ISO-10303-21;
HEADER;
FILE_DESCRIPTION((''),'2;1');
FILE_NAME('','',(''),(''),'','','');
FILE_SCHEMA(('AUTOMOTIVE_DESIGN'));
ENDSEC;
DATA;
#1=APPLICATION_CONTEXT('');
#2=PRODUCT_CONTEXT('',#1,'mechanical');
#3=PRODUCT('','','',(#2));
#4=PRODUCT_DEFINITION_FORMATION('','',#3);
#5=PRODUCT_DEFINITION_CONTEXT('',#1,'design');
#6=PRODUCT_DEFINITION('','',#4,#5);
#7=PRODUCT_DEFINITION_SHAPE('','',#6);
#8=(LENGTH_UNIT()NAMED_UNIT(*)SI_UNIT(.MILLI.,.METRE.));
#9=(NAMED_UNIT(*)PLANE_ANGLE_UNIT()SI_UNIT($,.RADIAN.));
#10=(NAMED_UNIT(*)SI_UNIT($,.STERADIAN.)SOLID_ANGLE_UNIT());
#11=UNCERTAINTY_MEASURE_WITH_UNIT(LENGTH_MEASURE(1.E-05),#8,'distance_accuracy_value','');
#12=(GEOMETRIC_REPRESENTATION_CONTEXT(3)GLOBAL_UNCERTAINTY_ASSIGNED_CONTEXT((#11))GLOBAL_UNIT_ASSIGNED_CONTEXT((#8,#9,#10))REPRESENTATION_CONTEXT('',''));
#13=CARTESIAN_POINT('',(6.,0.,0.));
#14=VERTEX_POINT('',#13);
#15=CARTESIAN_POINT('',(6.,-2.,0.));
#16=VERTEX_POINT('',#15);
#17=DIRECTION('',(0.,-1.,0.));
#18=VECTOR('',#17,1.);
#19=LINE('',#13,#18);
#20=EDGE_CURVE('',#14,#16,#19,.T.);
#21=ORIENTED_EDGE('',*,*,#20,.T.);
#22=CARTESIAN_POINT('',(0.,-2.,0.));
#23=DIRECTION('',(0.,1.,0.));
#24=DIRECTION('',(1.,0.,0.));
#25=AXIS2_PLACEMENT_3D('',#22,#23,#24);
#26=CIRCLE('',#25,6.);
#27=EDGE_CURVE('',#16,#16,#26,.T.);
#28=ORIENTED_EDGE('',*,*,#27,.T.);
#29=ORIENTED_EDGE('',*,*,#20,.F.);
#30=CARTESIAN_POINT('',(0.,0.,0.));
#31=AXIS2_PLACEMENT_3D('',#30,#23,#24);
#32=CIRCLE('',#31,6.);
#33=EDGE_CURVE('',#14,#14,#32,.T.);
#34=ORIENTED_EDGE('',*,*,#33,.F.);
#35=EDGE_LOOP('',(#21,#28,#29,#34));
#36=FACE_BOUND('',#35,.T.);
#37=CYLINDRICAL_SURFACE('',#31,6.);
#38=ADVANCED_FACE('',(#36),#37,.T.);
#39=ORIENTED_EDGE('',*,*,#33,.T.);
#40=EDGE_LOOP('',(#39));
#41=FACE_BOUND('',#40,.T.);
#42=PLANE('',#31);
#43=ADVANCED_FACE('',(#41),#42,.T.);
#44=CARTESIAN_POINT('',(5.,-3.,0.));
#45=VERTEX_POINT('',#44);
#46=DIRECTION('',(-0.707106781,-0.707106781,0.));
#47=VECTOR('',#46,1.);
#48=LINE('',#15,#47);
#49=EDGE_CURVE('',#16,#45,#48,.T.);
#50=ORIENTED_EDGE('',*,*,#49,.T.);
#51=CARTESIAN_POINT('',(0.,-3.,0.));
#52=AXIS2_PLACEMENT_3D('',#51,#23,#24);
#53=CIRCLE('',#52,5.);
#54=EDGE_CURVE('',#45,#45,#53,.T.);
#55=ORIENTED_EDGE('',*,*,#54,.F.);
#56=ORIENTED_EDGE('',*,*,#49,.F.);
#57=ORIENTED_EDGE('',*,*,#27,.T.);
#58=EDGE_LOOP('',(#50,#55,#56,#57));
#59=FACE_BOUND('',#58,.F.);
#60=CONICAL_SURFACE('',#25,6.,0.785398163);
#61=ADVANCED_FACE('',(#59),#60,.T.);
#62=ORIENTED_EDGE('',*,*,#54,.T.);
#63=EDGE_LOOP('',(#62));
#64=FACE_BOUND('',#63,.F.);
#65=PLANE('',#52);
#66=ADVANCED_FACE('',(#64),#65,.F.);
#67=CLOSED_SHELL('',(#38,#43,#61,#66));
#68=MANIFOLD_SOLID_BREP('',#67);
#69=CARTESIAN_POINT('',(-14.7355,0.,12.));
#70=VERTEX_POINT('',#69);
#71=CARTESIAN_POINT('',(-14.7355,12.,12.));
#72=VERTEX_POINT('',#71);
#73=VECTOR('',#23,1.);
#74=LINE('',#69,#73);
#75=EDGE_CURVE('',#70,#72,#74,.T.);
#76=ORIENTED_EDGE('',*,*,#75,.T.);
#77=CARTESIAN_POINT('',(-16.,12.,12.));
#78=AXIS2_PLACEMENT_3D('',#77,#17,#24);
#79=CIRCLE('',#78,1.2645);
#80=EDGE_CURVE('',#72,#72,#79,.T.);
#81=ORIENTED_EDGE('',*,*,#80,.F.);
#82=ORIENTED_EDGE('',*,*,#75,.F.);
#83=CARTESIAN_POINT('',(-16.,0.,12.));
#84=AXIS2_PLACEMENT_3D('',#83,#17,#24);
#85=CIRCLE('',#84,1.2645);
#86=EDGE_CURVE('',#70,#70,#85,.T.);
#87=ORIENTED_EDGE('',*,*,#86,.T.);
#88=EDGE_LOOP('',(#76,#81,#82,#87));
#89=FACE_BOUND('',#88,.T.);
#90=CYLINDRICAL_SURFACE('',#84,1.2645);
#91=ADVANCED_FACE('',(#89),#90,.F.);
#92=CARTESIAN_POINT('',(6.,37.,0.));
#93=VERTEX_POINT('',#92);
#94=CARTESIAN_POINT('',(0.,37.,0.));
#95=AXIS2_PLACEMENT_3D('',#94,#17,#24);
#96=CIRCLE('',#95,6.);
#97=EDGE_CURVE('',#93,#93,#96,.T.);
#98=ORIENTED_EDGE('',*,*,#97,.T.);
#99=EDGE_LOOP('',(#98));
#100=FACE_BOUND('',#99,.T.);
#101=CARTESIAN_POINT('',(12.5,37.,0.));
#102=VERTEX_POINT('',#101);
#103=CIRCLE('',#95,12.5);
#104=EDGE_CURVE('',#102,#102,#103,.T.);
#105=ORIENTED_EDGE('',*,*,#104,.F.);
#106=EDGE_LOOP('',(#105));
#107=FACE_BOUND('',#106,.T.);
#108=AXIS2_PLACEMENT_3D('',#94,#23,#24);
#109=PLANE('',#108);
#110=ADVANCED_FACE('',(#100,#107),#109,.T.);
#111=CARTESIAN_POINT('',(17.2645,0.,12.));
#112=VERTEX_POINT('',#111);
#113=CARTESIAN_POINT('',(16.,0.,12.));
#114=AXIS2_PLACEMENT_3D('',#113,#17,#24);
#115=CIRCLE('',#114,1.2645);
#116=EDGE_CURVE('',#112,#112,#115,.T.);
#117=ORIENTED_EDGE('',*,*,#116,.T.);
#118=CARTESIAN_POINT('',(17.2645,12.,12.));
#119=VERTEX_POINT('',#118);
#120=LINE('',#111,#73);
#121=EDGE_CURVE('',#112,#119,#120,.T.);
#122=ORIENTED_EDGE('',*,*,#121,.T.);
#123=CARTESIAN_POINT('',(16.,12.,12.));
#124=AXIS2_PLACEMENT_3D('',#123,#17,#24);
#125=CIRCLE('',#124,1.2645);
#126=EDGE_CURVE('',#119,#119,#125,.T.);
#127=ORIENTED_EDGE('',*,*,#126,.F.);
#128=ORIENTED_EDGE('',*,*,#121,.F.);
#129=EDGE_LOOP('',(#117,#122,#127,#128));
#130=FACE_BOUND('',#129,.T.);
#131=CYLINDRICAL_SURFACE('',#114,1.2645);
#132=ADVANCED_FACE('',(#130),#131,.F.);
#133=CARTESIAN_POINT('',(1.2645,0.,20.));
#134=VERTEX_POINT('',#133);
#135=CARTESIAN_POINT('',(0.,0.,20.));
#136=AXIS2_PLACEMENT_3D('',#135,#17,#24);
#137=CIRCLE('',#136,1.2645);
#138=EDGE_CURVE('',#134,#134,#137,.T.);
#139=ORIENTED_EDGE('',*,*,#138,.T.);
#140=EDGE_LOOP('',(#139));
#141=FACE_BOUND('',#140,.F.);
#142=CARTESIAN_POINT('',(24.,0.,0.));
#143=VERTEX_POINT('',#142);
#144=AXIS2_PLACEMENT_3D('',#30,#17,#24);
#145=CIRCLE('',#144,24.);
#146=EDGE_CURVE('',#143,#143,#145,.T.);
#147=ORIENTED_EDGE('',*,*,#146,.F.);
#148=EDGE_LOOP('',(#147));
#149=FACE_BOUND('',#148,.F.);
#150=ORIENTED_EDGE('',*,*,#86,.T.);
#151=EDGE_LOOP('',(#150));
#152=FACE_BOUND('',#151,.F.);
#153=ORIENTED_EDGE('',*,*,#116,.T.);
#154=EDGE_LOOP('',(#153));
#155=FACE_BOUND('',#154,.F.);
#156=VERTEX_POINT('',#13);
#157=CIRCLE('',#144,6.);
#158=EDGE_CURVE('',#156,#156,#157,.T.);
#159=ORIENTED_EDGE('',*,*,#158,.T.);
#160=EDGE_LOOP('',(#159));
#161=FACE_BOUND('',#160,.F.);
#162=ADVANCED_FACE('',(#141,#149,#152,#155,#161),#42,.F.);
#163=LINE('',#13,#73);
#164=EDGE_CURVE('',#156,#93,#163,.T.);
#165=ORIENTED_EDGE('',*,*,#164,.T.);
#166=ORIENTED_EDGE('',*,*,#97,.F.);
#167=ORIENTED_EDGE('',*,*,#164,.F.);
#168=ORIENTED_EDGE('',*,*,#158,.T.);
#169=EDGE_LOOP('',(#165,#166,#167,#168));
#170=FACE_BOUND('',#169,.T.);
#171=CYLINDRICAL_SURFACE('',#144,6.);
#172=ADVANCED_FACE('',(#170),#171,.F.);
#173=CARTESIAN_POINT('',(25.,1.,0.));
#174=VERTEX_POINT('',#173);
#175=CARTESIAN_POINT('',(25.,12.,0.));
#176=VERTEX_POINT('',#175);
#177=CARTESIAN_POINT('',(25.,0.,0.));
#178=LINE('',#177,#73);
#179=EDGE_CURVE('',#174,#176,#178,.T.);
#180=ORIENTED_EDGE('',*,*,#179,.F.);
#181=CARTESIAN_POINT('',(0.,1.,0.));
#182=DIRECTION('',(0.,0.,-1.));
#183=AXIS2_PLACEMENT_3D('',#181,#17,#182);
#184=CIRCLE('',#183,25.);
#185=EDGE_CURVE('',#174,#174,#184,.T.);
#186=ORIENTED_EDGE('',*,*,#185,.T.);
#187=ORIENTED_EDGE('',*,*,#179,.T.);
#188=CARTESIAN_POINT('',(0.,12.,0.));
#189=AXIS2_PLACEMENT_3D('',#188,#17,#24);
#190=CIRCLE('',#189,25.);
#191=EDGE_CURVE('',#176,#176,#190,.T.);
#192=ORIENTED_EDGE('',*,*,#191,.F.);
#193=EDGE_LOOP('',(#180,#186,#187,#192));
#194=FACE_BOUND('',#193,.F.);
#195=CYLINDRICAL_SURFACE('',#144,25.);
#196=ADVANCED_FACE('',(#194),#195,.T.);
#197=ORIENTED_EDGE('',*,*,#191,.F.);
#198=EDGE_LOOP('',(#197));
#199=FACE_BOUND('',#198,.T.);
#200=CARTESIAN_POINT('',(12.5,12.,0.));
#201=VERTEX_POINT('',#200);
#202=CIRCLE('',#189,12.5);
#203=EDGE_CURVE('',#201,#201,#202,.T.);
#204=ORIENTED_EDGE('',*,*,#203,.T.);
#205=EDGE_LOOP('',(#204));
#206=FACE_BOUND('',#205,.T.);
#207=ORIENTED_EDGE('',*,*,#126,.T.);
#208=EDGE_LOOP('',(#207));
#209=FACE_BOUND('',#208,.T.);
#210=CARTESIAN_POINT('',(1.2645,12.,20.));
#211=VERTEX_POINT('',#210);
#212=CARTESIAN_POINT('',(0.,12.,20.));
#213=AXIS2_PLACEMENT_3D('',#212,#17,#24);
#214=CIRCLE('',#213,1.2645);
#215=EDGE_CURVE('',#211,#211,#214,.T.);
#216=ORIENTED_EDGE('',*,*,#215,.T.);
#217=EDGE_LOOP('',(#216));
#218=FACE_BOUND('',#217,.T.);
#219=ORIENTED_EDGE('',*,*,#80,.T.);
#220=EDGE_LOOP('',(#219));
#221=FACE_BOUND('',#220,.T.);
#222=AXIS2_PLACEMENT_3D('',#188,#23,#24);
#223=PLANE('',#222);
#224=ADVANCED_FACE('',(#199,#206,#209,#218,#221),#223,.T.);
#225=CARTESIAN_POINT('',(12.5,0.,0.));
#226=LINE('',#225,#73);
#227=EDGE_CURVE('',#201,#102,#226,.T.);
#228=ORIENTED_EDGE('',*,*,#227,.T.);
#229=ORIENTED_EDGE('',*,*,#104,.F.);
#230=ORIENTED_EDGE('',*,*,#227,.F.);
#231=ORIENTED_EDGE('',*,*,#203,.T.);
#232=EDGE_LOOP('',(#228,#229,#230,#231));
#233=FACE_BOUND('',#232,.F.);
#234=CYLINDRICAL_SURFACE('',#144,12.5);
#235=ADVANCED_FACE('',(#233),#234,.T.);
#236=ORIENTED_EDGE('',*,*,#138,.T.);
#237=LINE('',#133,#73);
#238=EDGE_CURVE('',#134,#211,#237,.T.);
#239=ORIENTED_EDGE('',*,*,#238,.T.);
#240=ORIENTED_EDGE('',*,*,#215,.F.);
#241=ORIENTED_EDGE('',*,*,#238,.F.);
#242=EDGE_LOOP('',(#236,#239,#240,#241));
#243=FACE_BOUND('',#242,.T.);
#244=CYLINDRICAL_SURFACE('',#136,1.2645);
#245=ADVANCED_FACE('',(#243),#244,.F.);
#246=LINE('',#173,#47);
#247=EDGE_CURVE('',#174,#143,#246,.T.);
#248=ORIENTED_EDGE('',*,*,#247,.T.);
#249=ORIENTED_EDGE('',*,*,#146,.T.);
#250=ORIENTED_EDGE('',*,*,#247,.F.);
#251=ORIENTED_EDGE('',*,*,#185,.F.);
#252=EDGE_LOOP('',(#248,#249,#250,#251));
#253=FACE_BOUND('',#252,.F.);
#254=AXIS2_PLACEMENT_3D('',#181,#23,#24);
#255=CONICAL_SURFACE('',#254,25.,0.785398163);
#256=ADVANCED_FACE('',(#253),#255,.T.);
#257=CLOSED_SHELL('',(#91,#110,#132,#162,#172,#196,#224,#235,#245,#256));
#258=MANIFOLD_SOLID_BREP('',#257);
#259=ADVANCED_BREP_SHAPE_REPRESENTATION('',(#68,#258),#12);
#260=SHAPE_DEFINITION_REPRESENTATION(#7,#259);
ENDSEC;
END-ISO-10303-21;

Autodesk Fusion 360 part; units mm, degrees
sketch "Sketch1" plane through (0, 0, 0) normal (0, 1, 0) x (1, 0, 0)
  circle A0 centre (0, 0) radius 6
  circle A1 centre (0, 0) radius 25
  circle A2 centre (0, 0) radius 12.5
  circle A3 centre (0, 0) radius 20 construction
  circle A4 centre (16, -12) radius 1.5
  line L0 (0, -25) -> (0, 0) construction
  circle A5 centre (-16, -12) radius 1.5
  circle A6 centre (0, -20) radius 1.5
  dimension "d10" = 12
  dimension "d11" = 50
  dimension "d12" = 25
  dimension "d13" = 40
  dimension "d14" = 3
  dimension "d16" = 12
  dimension "d17" = 3
extrude "Extrude1" add sketch "Sketch1" against normal blind 3 contours A0 makes body 1
extrude "Extrude2" add sketch "Sketch1" along normal blind 37 separate body contours A2 makes body 2
extrude "Extrude3" add sketch "Sketch1" along normal blind 12 contours A1 bodies 2
chamfer "Chamfer1" distance 1 angle 45 2 edges at (-5.594, -3, -2.1697) (-23.3082, 0, 9.0404) on bodies 1 2
thread "Thread1" "ISO Metric profile 3.0 M3x0.5 6H" major diameter 3.086 minor diameter 2.529 pitch 0.5 angle 60 resizes the face on face at (-14.5019, 8, 12.0748) on bodies 2
thread "Thread2" "ISO Metric profile 3.0 M3x0.5 6H" major diameter 3.086 minor diameter 2.529 pitch 0.5 angle 60 resizes the face on face at (1.4981, 4, 19.9252) on face at (17.4981, 4, 11.9252) on face at (-14.7371, 4, 11.937) on bodies 2
equation "knob_height = 3 mm"
equation "chamfer = 1 mm"
equation "base_height = 12 mm"
equation "center_height = 25 mm"
equation "center_diameter = 25 mm"
equation "knob_diameter = 12 mm"
equation "threaded_hole_distance_from_center = 40 mm"
equation "base_diameter = 50 mm"
equation "threaded_hole_diameter = 3 mm"
equation "d10 = knob_diameter"
equation "d11 = base_diameter"
equation "d12 = center_diameter"
equation "d13 = threaded_hole_distance_from_center"
equation "d14 = threaded_hole_diameter"
equation "threaded_hole_height = 12 mm"
equation "d16 = threaded_hole_height"
equation "d17 = threaded_hole_diameter"
equation "d18 = -knob_height"
equation "d20 = center_height + base_height"
equation "d22 = base_height"
equation "d24 = chamfer"
